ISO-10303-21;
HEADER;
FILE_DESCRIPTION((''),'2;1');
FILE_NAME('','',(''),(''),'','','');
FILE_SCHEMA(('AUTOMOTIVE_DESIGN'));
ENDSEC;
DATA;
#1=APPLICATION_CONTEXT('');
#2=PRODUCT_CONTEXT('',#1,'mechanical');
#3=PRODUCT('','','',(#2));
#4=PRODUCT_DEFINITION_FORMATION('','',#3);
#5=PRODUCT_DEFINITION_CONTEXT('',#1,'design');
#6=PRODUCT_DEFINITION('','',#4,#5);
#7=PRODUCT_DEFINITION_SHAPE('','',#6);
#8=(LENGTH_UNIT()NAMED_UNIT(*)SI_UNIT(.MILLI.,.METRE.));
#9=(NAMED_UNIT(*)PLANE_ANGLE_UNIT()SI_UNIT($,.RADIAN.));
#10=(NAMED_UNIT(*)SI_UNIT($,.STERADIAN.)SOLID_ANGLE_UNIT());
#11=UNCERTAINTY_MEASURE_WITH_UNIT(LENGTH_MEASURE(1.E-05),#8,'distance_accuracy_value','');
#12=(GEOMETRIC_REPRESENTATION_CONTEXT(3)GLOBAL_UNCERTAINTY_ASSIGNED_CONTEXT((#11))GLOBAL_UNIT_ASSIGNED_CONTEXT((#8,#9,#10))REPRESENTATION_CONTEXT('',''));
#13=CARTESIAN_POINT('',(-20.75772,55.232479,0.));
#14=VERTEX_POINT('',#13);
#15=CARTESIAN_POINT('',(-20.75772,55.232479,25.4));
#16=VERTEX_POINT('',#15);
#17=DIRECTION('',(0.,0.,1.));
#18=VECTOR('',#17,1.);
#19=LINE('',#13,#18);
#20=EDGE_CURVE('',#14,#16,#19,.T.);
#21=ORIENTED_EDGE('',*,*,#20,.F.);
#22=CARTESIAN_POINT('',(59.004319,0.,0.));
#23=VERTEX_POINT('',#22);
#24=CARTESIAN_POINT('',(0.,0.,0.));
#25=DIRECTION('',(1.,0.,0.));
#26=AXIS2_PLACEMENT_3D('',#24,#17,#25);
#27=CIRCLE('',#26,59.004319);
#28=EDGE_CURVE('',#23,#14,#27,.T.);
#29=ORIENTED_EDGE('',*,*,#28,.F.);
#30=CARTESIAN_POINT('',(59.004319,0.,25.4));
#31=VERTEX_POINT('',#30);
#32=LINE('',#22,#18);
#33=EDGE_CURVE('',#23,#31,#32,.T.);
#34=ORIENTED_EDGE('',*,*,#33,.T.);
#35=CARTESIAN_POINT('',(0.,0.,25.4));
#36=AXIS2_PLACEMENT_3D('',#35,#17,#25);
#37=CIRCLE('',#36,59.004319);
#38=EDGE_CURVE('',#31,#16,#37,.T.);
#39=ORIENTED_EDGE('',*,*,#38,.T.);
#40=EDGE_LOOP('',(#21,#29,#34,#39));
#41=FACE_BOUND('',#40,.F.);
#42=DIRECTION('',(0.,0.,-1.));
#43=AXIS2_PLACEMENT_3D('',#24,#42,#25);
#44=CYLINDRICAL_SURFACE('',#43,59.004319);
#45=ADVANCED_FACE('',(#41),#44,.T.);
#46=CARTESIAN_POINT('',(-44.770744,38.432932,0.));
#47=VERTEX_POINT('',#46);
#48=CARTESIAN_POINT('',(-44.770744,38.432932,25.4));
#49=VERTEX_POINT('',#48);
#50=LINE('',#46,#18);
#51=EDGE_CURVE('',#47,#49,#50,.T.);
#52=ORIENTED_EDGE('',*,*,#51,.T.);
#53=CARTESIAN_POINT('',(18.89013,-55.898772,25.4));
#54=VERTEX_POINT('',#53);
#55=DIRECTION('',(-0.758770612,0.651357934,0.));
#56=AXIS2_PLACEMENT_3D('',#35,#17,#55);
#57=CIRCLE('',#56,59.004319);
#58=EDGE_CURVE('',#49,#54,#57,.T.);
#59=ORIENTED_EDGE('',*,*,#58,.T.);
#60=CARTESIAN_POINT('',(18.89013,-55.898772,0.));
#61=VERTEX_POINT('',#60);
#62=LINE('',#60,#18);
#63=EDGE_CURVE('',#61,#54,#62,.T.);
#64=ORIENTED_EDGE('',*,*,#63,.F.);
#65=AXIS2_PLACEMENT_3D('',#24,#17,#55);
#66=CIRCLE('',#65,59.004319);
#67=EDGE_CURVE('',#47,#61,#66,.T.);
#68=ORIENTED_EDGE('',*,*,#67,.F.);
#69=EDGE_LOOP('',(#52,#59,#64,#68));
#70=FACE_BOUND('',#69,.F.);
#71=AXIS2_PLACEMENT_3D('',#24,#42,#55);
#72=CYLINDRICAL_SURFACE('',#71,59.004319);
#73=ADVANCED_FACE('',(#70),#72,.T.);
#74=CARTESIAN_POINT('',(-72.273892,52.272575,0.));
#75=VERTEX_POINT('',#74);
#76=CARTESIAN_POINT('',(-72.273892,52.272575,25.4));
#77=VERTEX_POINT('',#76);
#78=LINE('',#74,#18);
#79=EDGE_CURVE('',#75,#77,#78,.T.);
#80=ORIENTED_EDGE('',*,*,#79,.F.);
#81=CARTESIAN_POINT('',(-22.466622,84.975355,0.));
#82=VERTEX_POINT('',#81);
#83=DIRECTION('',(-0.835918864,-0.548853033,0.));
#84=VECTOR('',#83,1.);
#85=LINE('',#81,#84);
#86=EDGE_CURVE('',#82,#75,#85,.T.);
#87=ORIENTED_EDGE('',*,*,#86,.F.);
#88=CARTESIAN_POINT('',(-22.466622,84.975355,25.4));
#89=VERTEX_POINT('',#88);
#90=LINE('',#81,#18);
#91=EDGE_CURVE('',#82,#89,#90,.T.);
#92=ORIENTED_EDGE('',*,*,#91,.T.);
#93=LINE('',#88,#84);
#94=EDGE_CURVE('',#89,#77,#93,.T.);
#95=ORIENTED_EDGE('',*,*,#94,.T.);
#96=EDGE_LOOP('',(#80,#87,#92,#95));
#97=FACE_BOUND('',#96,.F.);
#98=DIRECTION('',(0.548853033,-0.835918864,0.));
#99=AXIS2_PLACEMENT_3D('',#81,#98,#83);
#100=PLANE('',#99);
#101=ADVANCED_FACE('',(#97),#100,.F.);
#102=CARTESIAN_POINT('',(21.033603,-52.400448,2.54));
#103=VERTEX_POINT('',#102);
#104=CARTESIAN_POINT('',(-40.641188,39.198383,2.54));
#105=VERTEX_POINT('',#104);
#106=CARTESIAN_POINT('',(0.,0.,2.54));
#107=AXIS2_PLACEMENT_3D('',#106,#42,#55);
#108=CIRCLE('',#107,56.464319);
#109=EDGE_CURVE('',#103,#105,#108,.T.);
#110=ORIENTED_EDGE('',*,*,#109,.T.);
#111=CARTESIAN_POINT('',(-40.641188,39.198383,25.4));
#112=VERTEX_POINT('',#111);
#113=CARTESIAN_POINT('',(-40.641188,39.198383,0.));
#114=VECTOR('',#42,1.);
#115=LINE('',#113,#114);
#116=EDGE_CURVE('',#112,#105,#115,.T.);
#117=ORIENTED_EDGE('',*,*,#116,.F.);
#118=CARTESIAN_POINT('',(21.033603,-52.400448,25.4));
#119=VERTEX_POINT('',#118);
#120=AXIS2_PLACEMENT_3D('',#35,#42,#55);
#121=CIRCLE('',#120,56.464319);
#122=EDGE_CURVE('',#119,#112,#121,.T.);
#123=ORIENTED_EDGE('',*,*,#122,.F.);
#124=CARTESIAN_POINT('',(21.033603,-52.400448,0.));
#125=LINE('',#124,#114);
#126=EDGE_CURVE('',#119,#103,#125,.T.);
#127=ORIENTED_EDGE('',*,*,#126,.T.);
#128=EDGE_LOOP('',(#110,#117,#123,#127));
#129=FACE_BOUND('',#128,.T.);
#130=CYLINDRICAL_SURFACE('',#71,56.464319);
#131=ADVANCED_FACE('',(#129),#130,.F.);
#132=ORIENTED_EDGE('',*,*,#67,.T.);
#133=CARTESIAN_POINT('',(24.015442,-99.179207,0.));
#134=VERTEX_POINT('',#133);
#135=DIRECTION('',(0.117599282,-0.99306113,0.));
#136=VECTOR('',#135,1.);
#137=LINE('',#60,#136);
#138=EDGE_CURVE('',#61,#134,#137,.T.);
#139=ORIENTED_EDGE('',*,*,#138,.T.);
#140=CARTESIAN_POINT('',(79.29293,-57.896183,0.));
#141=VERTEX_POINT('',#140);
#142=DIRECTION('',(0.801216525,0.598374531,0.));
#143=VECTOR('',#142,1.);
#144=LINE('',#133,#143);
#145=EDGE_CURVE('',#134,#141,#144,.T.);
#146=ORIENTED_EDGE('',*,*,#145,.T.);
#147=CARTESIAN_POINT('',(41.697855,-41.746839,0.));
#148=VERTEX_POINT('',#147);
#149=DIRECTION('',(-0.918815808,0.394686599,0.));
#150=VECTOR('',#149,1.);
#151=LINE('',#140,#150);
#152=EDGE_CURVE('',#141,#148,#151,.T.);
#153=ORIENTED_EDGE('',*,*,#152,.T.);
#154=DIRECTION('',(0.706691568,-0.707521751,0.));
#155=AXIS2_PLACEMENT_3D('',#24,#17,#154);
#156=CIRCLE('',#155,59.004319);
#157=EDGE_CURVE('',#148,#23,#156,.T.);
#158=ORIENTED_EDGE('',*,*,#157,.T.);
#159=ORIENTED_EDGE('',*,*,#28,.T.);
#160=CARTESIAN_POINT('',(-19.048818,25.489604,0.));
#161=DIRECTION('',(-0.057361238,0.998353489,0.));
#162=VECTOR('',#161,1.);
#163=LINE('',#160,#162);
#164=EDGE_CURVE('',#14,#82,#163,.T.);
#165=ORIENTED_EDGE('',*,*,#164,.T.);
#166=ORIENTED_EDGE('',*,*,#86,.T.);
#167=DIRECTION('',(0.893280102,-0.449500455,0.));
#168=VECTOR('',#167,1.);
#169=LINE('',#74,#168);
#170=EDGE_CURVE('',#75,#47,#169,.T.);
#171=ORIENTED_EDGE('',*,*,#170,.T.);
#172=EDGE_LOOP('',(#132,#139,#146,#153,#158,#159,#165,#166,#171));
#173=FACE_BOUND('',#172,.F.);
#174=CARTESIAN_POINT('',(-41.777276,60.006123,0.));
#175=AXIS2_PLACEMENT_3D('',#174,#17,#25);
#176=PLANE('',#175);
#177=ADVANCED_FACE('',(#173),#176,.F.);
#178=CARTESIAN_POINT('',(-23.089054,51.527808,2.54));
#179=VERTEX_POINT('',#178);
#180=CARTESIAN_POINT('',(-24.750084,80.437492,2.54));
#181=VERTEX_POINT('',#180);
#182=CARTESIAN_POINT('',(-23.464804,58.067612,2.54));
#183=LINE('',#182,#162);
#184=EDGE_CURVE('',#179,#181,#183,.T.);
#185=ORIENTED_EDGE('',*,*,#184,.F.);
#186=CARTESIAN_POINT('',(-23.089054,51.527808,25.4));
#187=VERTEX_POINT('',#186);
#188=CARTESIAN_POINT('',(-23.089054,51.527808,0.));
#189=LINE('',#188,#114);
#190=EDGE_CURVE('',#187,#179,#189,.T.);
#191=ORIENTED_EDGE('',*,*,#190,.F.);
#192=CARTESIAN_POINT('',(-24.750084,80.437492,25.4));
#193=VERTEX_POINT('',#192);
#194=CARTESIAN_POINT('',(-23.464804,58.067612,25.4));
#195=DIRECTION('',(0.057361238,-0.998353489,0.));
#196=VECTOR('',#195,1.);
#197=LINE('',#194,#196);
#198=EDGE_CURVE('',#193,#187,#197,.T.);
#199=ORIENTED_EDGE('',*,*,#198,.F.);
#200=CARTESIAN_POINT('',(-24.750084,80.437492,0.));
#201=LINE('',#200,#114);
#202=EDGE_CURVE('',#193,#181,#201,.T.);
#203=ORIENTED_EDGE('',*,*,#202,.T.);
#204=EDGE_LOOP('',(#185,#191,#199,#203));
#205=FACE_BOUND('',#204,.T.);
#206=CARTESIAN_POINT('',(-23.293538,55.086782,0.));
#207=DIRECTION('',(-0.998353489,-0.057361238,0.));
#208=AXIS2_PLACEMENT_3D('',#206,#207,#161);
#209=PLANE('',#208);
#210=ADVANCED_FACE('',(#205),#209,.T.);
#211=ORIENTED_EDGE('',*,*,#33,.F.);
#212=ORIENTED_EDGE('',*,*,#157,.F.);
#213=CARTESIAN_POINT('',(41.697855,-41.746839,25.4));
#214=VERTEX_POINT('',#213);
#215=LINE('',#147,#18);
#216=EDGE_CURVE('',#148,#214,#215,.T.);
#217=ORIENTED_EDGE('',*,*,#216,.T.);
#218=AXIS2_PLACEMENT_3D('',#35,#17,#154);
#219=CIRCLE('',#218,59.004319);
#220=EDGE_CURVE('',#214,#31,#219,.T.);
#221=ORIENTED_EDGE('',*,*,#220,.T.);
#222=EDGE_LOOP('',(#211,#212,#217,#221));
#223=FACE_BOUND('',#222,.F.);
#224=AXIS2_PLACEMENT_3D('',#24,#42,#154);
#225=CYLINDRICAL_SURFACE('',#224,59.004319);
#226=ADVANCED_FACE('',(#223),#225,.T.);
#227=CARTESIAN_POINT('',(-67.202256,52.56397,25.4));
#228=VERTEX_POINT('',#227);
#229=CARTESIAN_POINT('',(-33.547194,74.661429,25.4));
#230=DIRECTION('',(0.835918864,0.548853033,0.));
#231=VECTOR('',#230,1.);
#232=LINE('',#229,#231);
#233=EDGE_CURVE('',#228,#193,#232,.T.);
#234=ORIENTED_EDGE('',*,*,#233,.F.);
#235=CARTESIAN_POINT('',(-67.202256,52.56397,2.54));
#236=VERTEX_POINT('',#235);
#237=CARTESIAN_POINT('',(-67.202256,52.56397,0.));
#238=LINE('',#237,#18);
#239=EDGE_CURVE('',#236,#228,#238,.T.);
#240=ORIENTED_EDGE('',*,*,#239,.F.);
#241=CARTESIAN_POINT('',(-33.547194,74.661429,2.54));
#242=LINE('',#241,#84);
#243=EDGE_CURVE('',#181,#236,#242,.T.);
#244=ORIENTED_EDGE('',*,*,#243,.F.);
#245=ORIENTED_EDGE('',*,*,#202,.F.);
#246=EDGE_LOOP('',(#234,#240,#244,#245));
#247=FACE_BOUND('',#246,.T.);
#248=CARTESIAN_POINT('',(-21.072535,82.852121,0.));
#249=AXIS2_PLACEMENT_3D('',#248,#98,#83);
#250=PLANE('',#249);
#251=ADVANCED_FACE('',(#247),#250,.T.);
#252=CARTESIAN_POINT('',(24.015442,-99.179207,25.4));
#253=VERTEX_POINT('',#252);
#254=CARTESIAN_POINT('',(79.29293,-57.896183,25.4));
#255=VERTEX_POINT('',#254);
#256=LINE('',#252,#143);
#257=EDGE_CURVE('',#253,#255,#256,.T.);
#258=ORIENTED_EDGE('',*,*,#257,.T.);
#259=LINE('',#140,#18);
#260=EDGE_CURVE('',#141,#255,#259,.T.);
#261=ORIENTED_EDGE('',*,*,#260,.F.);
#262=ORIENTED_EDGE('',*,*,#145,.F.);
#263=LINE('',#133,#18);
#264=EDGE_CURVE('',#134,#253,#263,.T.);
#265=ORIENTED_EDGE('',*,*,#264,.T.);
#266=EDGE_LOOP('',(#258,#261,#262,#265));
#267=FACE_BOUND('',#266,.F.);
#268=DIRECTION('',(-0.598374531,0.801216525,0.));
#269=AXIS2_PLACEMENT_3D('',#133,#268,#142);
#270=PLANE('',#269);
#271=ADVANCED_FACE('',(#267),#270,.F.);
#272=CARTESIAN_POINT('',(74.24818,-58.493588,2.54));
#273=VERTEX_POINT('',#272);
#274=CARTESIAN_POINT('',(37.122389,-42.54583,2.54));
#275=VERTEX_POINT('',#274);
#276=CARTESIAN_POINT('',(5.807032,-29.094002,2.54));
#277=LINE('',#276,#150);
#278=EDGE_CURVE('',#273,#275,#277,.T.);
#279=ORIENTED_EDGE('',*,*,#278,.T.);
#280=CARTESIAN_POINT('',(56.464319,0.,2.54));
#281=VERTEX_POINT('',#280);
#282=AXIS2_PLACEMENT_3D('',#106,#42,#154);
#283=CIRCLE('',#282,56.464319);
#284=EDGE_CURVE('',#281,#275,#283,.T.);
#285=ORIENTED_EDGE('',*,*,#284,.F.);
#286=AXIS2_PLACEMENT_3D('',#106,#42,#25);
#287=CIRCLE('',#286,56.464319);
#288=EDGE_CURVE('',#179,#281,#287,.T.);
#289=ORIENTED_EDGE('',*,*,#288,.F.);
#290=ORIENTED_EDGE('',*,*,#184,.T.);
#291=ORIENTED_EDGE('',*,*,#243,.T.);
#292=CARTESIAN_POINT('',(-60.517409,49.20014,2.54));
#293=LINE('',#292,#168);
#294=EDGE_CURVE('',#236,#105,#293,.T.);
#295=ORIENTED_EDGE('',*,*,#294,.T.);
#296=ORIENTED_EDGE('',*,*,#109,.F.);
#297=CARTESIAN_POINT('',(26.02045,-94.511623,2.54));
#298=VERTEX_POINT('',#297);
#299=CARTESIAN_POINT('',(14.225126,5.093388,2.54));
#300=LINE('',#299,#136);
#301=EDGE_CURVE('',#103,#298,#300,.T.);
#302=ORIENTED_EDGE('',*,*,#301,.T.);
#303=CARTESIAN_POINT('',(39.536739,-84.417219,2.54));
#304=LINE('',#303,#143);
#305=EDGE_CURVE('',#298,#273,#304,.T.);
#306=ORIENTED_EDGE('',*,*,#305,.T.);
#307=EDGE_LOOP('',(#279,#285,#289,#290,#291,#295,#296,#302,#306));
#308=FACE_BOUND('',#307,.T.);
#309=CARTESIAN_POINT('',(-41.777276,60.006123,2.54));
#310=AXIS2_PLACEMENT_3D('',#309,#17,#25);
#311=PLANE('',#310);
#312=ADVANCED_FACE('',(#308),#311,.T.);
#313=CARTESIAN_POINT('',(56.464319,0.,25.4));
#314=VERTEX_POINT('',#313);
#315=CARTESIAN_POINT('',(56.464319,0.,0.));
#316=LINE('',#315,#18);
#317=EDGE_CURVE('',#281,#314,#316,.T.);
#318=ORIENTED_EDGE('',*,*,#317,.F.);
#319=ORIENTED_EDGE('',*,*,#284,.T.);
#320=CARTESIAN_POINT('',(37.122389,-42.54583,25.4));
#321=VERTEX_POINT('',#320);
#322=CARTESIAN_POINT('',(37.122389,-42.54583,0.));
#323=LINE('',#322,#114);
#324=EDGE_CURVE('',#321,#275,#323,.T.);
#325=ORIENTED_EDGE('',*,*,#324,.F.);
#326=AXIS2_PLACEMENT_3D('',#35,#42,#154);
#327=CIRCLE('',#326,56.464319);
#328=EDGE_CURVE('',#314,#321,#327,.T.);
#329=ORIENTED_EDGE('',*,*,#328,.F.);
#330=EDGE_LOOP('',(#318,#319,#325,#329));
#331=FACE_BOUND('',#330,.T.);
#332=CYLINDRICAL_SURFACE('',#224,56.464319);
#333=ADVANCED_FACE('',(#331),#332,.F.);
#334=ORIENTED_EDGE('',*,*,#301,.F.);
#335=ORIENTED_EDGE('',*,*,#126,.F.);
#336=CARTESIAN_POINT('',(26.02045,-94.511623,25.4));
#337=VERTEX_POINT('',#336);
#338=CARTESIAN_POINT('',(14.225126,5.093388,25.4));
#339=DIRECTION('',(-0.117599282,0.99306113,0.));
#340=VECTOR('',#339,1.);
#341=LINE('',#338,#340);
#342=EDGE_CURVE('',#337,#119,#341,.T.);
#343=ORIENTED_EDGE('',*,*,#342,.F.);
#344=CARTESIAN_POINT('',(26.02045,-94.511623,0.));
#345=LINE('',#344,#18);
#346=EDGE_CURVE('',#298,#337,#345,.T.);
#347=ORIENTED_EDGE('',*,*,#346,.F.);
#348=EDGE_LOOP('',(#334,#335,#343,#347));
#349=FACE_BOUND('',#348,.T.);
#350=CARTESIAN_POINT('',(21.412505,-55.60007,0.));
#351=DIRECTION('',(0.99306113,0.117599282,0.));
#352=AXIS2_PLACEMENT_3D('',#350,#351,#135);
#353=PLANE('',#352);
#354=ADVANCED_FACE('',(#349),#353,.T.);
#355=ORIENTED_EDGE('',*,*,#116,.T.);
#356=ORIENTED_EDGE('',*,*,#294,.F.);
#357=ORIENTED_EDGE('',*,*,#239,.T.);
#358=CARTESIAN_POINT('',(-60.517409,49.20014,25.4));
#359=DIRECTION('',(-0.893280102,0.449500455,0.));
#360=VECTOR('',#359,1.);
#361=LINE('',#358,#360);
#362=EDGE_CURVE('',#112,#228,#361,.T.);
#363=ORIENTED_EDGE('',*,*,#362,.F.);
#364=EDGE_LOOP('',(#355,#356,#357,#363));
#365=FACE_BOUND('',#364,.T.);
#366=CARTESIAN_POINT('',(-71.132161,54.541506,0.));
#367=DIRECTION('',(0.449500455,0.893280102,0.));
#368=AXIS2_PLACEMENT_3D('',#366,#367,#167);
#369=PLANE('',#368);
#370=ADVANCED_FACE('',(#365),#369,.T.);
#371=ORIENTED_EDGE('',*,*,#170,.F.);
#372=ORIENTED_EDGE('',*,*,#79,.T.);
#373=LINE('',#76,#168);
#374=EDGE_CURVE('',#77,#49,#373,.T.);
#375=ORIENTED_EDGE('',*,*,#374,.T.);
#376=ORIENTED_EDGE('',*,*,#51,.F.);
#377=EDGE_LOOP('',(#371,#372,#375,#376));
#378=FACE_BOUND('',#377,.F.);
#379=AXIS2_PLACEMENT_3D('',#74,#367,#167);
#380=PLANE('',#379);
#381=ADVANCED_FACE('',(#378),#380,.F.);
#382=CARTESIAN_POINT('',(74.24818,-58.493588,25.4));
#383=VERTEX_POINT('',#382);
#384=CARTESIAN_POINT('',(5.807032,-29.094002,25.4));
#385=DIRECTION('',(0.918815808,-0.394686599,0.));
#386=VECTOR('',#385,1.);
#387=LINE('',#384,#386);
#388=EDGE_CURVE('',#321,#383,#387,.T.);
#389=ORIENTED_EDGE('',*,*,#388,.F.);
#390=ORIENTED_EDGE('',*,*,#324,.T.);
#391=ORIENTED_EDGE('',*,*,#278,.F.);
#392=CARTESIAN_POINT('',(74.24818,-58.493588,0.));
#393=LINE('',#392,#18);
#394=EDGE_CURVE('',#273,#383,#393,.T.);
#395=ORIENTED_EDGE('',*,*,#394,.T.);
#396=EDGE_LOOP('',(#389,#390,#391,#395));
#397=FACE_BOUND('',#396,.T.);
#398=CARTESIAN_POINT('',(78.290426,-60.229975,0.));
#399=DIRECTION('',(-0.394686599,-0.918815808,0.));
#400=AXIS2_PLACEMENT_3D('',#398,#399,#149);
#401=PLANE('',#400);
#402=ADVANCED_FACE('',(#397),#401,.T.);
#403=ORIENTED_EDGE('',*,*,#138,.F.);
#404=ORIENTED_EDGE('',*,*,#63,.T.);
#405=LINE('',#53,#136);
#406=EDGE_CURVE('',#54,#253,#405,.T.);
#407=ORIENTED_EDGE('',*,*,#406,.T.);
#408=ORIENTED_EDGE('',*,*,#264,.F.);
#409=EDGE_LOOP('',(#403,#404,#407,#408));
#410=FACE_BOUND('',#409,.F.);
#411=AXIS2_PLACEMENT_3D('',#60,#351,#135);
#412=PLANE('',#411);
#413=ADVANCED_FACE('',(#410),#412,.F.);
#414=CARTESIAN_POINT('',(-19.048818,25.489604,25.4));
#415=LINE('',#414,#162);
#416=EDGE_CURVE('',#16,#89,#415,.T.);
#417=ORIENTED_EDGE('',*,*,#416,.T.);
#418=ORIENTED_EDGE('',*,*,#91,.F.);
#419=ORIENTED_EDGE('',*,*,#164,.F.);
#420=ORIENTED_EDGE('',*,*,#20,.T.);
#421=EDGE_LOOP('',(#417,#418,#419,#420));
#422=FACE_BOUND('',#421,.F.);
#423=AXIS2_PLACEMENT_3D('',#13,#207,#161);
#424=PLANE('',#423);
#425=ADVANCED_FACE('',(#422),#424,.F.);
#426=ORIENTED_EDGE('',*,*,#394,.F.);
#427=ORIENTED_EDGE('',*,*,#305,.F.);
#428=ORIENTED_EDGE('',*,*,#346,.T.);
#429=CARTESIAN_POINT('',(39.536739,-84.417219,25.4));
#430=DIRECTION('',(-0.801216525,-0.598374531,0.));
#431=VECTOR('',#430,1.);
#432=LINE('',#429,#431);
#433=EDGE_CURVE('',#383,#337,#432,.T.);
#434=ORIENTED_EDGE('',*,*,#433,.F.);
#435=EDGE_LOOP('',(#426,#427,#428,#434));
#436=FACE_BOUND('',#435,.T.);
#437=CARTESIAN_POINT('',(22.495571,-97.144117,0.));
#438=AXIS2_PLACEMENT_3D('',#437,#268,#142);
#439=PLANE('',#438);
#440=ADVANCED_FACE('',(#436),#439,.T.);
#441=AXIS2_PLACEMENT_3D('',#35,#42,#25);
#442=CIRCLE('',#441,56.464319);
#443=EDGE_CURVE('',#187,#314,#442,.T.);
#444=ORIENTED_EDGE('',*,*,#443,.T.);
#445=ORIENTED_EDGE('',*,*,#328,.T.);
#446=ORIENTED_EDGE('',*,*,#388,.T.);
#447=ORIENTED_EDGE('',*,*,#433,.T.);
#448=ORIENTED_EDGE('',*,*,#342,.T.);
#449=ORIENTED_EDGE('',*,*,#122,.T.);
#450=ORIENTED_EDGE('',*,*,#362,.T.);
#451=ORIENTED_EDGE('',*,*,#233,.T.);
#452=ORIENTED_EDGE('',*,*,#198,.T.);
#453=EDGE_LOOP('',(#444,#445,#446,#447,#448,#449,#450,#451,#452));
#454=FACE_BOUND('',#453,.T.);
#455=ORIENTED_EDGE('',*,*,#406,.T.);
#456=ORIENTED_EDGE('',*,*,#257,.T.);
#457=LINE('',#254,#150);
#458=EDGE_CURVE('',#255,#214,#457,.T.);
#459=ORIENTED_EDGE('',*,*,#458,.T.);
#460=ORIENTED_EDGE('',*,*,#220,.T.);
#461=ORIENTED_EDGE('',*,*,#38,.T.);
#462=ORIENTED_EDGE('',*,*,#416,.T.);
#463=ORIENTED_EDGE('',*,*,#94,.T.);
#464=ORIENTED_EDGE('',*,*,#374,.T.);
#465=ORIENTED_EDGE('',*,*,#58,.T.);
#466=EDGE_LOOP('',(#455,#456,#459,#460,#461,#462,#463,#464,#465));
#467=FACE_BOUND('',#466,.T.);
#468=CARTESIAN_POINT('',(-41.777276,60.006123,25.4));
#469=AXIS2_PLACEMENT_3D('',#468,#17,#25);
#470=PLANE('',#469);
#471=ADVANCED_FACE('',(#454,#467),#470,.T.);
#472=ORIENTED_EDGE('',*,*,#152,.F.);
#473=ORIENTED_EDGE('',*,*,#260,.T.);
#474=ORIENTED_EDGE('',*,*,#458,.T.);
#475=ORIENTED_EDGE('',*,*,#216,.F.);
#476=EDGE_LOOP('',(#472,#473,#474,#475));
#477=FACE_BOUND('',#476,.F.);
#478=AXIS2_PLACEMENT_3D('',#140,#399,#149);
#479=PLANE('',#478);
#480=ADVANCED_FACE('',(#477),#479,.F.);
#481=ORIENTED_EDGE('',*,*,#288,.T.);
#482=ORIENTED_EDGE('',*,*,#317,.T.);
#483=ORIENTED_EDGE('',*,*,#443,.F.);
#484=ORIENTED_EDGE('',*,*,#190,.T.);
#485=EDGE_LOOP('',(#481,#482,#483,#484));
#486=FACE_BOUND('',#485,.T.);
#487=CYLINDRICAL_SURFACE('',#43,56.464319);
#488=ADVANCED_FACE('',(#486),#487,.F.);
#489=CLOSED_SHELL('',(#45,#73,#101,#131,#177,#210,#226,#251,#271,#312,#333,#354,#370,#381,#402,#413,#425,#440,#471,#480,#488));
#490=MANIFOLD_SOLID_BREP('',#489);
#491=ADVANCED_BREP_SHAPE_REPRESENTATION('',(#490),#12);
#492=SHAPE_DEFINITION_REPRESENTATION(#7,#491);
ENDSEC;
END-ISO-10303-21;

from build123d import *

# Parameters (mm, degrees)
F1_DEPTH = 25.4
F2_T     = -2.54


with BuildPart() as f1:
    # F0 (on Top) → F1 (new body)
    with BuildSketch(Plane.XY):
        with BuildLine():
            ThreePointArc((-44.7707435742, 38.4329316307), (-33.8238240977, 48.3472712501), (-20.7577197015, 55.2324794547))
            Line((-20.7577197015, 55.2324794547), (-22.4666216003, 84.9753552631))
            Line((-22.4666216003, 84.9753552631), (-72.2738917649, 52.2725745408))
            Line((-72.2738917649, 52.2725745408), (-44.7707435742, 38.4329316307))
        make_face()
        with BuildLine():
            Line((-19.0488178027, 25.4896036463), (-20.7577197015, 55.2324794547))
            ThreePointArc((-20.7577197015, 55.2324794547), (-33.8238240977, 48.3472712501), (-44.7707435742, 38.4329316307))
            Line((-44.7707435742, 38.4329316307), (-19.0488178027, 25.4896036463))
        make_face()
        with BuildLine():
            ThreePointArc((41.6978550322, -41.7468393969), (54.5062531857, -22.5959748092), (59.0043194514, 0))
            ThreePointArc((59.0043194514, 0), (33.591029975, 48.5093023979), (-20.7577197015, 55.2324794547))
            Line((-20.7577197015, 55.2324794547), (-19.0488178027, 25.4896036463))
            Line((-19.0488178027, 25.4896036463), (-44.7707435742, 38.4329316307))
            ThreePointArc((-44.7707435742, 38.4329316307), (-48.9087835686, -33.0066751395), (18.8901301186, -55.8987718829))
            Line((18.8901301186, -55.8987718829), (15.9020386636, -30.6659862399))
            Line((15.9020386636, -30.6659862399), (41.6978550322, -41.7468393969))
        make_face()
        with BuildLine():
            Line((79.2929301024, -57.8961831635), (41.6978550322, -41.7468393969))
            ThreePointArc((41.6978550322, -41.7468393969), (31.1094082945, -50.1369567234), (18.8901301186, -55.8987718829))
            Line((18.8901301186, -55.8987718829), (24.0154420971, -99.1792070562))
            Line((24.0154420971, -99.1792070562), (79.2929301024, -57.8961831635))
        make_face()
        with BuildLine():
            ThreePointArc((18.8901301186, -55.8987718829), (31.1094082945, -50.1369567234), (41.6978550322, -41.7468393969))
            Line((41.6978550322, -41.7468393969), (15.9020386636, -30.6659862399))
            Line((15.9020386636, -30.6659862399), (18.8901301186, -55.8987718829))
        make_face()
    extrude(amount=F1_DEPTH)

    # F2
    f2_openings = [f1.faces().sort_by_distance(p)[0] for p in [
        (1.924455, -3.442956, 25.4),
    ]]
    offset(amount=F2_T, openings=f2_openings, kind=Kind.INTERSECTION)


solid = f1.part
